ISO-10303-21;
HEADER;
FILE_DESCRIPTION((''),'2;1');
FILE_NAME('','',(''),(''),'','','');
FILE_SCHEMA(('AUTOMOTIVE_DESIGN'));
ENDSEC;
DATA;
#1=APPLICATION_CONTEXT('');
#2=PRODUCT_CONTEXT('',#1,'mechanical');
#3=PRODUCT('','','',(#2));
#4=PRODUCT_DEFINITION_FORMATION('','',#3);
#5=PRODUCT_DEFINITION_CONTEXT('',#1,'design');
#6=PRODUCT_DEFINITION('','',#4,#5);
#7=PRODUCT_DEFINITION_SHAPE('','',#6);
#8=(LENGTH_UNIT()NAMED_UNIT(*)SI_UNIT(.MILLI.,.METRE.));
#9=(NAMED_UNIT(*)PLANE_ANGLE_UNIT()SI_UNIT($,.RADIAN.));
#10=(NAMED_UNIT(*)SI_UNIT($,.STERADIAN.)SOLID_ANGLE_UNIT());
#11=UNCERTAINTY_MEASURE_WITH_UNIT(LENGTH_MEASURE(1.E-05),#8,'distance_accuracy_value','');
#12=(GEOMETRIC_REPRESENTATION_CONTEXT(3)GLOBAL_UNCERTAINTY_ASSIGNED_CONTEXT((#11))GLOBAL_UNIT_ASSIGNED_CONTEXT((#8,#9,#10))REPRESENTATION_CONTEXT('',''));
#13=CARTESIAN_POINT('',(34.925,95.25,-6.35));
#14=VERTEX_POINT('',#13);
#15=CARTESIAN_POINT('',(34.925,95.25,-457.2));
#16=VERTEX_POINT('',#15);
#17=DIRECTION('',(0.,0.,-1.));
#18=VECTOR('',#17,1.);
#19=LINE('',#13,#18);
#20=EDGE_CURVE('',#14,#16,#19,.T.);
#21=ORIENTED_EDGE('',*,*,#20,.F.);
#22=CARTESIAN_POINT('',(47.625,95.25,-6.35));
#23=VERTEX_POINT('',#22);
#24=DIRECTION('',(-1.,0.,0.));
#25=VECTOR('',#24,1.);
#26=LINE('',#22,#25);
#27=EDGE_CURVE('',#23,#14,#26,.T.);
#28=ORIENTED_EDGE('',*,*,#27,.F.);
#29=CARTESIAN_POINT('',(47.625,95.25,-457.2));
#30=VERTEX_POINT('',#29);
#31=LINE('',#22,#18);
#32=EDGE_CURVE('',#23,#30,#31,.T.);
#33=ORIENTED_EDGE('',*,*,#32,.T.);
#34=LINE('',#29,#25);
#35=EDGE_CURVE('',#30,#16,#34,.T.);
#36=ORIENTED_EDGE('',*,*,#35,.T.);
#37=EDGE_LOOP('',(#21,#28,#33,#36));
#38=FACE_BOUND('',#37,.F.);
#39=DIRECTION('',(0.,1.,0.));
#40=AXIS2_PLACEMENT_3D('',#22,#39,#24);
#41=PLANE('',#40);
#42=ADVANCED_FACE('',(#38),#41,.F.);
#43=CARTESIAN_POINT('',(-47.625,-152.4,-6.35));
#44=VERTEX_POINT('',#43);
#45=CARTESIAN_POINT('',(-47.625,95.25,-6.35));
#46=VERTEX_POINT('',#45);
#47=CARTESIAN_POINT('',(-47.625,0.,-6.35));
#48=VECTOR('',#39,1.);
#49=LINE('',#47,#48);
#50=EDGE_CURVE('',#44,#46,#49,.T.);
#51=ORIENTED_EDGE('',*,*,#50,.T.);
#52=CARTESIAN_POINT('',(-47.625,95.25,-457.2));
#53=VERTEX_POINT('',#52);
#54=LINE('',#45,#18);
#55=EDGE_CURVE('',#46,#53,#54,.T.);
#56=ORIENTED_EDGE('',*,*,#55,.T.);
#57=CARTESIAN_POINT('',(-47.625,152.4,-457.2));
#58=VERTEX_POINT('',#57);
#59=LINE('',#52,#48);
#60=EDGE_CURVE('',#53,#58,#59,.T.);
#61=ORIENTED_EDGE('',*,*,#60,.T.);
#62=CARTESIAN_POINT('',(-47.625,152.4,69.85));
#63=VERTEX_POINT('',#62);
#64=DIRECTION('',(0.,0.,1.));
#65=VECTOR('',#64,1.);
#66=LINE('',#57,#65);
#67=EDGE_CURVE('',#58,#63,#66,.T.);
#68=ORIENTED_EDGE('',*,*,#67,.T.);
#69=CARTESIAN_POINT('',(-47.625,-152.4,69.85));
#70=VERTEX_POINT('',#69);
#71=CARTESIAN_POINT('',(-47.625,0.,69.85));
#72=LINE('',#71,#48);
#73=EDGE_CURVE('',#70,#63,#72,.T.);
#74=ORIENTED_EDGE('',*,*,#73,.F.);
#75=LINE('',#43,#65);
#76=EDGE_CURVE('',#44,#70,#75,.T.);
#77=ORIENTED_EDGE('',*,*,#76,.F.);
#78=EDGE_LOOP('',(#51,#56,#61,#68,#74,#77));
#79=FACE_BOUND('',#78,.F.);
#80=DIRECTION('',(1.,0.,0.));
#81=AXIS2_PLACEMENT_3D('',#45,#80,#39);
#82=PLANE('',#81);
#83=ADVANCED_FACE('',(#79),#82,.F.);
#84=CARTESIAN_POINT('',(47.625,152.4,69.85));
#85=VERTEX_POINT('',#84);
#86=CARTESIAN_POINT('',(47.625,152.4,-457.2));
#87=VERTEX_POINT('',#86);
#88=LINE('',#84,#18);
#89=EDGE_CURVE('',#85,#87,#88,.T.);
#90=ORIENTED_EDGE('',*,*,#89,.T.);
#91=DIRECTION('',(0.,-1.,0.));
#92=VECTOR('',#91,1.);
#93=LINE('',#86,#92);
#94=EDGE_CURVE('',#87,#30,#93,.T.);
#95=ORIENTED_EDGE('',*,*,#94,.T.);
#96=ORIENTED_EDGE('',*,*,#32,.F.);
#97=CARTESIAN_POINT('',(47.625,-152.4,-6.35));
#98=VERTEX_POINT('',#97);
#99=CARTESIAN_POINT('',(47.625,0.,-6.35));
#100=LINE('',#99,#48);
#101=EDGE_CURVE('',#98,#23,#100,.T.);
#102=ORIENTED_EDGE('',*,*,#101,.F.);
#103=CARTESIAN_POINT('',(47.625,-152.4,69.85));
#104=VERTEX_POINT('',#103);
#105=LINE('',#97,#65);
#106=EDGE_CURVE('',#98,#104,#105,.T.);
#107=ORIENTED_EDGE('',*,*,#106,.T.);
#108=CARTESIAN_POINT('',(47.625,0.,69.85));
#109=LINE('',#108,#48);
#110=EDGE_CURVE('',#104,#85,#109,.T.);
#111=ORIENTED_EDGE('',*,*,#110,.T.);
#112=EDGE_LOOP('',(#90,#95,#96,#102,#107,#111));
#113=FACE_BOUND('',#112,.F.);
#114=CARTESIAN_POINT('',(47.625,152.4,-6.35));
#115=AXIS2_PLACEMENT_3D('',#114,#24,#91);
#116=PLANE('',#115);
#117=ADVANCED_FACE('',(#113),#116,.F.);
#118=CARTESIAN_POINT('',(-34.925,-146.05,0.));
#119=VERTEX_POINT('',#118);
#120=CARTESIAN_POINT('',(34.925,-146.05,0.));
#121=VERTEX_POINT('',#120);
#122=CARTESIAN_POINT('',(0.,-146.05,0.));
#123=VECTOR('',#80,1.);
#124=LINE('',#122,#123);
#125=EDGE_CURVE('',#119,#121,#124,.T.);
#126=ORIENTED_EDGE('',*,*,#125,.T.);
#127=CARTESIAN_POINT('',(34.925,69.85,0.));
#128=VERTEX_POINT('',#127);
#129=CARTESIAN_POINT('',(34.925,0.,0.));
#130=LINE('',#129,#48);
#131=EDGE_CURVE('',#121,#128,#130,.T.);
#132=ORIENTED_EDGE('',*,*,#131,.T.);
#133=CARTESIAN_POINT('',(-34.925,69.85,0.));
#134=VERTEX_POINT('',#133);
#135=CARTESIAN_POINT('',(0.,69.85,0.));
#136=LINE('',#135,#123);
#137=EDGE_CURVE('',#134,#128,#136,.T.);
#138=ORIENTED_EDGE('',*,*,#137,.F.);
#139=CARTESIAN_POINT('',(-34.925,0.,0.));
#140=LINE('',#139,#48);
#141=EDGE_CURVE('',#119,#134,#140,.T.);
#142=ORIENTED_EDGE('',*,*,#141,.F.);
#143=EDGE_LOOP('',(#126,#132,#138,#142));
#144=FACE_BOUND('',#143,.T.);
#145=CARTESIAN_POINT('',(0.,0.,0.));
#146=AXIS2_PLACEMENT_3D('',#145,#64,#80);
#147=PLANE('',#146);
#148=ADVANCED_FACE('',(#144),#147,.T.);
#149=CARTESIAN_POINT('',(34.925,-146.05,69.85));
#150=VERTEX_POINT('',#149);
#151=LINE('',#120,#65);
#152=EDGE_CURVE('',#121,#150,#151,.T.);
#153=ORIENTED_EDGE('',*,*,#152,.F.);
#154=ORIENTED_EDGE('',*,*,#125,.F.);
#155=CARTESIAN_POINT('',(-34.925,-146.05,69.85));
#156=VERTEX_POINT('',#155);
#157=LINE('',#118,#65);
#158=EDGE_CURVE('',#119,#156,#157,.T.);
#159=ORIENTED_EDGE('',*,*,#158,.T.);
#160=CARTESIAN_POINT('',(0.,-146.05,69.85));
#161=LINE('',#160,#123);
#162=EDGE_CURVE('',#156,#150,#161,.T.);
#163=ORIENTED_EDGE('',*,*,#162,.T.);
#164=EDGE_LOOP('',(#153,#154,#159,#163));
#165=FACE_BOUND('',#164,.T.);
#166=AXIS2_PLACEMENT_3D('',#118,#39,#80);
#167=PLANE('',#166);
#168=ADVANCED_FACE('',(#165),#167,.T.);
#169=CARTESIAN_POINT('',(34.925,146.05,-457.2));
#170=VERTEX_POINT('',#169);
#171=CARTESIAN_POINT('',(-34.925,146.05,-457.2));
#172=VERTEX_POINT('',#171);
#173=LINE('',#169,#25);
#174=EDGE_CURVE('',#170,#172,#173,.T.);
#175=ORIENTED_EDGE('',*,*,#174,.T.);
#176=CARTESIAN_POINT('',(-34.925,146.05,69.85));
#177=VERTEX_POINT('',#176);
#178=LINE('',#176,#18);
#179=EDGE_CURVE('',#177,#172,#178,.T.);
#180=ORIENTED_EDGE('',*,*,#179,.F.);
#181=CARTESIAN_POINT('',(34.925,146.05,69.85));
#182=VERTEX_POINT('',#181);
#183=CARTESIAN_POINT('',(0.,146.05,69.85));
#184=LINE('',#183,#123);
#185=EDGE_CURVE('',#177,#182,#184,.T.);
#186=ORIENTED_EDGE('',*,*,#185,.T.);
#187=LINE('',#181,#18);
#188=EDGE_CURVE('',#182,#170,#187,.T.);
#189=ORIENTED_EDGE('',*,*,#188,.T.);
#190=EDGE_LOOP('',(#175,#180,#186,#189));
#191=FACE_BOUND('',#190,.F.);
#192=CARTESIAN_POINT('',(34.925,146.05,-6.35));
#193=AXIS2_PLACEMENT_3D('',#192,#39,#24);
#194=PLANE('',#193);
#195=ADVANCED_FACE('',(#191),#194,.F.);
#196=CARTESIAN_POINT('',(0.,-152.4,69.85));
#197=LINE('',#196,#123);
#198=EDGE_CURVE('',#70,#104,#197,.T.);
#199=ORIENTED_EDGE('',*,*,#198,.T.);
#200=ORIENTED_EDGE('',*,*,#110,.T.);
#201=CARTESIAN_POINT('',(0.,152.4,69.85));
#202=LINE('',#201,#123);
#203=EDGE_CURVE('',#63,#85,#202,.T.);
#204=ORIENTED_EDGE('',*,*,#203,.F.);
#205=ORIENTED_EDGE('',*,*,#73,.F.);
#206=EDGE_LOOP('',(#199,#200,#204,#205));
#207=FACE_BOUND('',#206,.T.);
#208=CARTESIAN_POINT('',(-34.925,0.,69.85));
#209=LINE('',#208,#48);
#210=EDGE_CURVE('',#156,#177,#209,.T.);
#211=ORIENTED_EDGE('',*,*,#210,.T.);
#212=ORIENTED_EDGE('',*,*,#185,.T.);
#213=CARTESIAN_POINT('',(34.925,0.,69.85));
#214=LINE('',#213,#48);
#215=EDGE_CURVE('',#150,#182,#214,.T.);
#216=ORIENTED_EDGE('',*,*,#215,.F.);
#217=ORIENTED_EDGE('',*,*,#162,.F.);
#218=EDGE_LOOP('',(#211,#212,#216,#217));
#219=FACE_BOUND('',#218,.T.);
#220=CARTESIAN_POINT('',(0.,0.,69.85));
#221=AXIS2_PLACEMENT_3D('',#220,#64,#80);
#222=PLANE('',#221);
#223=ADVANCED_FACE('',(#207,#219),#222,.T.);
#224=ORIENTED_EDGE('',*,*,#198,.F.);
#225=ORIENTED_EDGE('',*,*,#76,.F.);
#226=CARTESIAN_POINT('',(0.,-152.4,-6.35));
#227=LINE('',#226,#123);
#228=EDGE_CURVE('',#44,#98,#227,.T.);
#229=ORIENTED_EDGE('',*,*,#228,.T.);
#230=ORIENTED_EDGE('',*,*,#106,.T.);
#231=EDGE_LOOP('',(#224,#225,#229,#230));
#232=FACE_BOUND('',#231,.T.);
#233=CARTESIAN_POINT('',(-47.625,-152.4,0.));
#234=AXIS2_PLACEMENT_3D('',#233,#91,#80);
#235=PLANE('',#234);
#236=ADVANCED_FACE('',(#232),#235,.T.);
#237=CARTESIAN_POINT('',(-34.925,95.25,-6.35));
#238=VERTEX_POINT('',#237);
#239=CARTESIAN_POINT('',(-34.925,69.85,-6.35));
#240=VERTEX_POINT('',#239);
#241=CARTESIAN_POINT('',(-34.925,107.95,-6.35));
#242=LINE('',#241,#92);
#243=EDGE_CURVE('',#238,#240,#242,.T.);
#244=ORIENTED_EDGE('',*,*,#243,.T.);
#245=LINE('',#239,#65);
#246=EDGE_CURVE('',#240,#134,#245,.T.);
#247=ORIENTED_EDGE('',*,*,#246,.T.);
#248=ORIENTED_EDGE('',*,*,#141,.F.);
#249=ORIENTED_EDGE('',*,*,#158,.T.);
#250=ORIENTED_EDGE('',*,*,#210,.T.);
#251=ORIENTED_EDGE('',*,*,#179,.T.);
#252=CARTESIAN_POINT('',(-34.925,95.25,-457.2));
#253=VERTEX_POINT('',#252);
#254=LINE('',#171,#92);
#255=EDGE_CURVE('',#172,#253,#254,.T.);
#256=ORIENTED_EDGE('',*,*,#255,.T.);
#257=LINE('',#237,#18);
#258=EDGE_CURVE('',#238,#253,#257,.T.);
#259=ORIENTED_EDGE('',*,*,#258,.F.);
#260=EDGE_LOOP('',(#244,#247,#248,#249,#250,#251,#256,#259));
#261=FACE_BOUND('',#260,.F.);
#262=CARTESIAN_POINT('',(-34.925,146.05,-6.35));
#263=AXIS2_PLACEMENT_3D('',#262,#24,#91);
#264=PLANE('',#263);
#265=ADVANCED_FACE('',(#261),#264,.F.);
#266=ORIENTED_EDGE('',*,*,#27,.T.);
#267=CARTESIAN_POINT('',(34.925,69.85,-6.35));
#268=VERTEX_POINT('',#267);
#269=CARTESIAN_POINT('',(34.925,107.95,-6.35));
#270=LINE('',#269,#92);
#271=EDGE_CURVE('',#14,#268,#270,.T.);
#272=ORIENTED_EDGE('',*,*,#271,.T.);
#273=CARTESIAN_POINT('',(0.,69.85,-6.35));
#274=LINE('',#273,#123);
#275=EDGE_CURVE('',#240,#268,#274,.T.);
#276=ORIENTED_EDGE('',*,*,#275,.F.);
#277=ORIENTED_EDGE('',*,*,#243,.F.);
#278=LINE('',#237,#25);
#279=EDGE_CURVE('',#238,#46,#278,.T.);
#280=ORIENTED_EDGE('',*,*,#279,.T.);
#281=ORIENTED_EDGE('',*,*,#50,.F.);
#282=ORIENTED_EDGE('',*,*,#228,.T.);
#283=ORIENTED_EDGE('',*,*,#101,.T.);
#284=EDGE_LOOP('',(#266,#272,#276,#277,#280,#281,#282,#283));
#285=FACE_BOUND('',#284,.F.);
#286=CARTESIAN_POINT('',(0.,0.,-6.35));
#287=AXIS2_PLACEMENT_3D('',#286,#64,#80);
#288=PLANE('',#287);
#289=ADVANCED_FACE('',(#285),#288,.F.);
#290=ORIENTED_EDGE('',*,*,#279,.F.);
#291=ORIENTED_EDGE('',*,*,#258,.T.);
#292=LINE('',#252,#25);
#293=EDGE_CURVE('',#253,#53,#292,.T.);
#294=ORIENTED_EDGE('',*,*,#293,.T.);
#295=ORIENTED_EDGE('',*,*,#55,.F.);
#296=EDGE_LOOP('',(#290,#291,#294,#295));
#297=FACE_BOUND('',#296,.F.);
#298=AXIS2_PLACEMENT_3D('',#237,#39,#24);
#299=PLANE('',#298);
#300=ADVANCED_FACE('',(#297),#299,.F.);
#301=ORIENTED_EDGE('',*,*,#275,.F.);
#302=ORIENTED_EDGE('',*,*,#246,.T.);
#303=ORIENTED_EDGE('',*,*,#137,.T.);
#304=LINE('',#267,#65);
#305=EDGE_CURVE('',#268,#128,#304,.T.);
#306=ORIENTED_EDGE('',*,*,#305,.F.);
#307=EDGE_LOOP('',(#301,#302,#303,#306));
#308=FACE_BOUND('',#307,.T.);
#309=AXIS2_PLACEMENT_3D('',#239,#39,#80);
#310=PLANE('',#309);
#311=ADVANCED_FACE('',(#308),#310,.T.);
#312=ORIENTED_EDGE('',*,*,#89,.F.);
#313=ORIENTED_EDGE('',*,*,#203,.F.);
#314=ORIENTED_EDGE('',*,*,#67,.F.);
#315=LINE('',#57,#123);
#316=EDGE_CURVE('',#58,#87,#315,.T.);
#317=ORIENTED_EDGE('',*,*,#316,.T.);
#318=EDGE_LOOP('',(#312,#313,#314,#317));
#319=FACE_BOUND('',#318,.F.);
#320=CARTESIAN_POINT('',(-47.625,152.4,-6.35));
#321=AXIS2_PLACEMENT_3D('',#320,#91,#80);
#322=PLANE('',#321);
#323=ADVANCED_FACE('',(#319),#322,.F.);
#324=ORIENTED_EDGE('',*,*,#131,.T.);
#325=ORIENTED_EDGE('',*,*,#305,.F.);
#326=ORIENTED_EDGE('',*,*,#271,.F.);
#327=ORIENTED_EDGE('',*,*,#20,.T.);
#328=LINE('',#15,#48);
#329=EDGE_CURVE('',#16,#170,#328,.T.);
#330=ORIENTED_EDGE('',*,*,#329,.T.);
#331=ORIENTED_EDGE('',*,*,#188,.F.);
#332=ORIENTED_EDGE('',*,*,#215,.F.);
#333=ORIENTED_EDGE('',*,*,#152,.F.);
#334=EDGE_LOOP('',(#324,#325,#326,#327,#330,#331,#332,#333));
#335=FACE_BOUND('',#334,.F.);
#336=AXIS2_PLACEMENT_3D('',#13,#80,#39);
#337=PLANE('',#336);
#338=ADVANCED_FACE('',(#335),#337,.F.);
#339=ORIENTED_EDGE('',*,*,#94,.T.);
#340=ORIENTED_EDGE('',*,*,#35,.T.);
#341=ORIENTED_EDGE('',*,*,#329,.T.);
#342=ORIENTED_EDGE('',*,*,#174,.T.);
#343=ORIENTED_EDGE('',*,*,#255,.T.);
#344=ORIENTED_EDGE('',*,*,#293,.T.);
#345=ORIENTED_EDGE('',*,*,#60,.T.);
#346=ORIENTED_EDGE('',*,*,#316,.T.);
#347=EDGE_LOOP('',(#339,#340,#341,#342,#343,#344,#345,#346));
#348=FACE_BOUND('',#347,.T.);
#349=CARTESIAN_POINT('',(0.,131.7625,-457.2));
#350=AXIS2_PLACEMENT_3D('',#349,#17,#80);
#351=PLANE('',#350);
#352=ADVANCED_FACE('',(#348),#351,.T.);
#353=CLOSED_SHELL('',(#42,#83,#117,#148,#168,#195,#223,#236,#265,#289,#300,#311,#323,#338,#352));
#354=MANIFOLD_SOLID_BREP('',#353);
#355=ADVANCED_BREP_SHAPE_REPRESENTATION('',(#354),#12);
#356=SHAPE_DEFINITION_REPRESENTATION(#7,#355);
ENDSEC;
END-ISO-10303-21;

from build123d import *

# Parameters (mm, degrees)
F0_W     = 95.25
F0_H     = 304.8
F0_W_2   = 69.85
F0_H_2   = 292.1
F1_DEPTH = 69.85
F2_DEPTH = 6.35
F3_W     = 69.85
F3_H     = 76.2
F4_DEPTH = 6.35
F6_DEPTH = 450.85


with BuildPart() as f1:
    # F0 (on Top) → F1 (new body)
    with BuildSketch(Plane.XY):
        Rectangle(F0_W, F0_H)
        Rectangle(F0_W_2, F0_H_2, mode=Mode.SUBTRACT)
    extrude(amount=F1_DEPTH)

    # F0 (on Top) → F2 (join)
    with BuildSketch(Plane.XY):
        Rectangle(F0_W, F0_H)
        Rectangle(F0_W_2, F0_H_2, mode=Mode.SUBTRACT)
        Rectangle(F0_W_2, F0_H_2)
    extrude(amount=-F2_DEPTH)

    # F3 (on face) → F4 (cut)
    with BuildSketch(Plane(origin=(0, 0, -6.35), x_dir=(1, 0, 0), z_dir=(0, 0, -1))):
        with Locations((0, -107.95)):
            Rectangle(F3_W, F3_H)
    extrude(amount=-F4_DEPTH, mode=Mode.SUBTRACT)

    # F5 (on face) → F6 (join)
    with BuildSketch(Plane(origin=(0, 0, -6.35), x_dir=(1, 0, 0), z_dir=(0, 0, -1))):
        Polygon((-47.625, -152.4), (47.625, -152.4), (47.625, -95.25), (34.925, -95.25), (34.925, -146.05), (-34.925, -146.05), (-34.925, -95.25), (-47.625, -95.25), align=None)
    extrude(amount=F6_DEPTH)


solid = f1.part
